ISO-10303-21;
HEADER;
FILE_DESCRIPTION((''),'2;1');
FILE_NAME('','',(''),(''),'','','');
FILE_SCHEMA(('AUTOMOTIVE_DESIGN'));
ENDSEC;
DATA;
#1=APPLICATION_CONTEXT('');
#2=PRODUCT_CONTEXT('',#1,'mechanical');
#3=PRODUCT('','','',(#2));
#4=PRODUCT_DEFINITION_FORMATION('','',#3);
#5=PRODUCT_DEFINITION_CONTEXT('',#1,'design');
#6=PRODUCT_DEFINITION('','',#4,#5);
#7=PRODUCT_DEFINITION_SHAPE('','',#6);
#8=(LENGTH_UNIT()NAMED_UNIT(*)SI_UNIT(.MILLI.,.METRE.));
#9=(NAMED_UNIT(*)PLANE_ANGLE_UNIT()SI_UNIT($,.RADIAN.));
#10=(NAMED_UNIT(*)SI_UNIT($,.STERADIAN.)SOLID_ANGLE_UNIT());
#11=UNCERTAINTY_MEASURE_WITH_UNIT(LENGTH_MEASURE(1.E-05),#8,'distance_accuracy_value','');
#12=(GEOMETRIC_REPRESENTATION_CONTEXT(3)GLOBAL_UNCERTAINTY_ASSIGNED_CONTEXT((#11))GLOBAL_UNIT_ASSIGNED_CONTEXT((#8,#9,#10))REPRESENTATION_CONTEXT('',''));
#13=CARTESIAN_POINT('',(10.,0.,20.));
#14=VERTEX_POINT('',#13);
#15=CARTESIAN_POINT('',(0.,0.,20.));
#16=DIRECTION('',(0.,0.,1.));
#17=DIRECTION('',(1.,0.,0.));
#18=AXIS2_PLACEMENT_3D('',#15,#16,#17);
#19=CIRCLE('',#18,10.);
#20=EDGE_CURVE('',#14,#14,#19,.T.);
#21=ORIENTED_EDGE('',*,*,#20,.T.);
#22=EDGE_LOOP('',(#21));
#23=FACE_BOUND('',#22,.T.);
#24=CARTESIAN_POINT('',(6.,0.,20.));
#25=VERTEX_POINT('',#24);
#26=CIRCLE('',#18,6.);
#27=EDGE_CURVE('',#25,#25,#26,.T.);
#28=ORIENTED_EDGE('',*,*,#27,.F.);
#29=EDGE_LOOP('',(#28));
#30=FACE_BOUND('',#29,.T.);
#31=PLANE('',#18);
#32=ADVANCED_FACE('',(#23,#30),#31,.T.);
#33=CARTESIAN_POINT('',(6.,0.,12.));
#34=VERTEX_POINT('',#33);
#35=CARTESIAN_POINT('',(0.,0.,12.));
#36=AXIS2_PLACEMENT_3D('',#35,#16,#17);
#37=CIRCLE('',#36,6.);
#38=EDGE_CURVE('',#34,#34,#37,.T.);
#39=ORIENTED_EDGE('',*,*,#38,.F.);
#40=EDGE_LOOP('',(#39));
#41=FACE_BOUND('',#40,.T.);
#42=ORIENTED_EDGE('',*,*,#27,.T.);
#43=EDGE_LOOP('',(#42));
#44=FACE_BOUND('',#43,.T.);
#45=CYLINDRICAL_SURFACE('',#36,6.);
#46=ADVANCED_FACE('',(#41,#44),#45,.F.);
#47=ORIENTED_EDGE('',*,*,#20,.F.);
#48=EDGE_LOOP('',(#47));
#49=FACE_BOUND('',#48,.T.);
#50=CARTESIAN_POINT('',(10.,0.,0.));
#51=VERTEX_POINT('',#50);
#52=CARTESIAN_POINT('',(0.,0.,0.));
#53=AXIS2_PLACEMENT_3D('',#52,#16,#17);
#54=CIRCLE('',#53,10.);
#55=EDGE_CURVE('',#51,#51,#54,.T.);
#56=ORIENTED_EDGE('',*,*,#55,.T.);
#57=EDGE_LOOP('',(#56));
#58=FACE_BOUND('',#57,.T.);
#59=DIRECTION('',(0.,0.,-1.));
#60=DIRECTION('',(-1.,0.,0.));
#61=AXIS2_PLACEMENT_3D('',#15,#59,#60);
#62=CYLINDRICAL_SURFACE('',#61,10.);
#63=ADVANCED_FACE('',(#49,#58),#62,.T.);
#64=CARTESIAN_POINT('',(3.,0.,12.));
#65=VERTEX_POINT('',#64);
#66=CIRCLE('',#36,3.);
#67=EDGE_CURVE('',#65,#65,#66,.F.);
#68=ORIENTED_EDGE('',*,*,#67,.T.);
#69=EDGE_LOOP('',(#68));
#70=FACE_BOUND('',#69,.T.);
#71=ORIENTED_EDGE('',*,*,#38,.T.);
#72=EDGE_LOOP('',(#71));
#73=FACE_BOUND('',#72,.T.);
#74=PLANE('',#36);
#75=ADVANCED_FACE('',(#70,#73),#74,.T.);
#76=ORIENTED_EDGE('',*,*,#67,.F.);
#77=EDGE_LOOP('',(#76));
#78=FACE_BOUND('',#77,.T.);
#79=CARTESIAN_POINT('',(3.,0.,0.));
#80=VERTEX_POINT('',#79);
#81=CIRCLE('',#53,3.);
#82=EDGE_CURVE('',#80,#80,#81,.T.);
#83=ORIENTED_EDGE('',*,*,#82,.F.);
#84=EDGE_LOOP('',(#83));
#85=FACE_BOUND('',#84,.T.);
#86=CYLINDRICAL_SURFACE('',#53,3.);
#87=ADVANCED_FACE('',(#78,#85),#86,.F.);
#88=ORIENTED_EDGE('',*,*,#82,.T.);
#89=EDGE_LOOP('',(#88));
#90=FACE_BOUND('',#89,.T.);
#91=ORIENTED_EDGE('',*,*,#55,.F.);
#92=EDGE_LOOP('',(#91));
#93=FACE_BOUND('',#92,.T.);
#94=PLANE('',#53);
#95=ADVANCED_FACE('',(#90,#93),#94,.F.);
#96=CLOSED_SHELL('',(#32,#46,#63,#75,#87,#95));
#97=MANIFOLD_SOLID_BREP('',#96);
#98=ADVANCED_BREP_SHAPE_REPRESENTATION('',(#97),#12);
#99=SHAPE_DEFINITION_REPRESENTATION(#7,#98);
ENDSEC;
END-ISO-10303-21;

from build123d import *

# Parameters (mm, degrees)
SKETCH_BASE_PROFILE_R        = 10
FEATURE_BASE_DEPTH           = 20
SKETCH_BORE_PROFILE_R        = 3
FEATURE_BORE_DEPTH           = 25.494897428
SKETCH_COUNTERBORE_PROFILE_R = 6
FEATURE_COUNTERBORE_DEPTH    = 8


with BuildPart() as part:
    # sketch:base-profile → feature:base (new body)
    with BuildSketch(Plane.XY):
        Circle(SKETCH_BASE_PROFILE_R)
    extrude(amount=FEATURE_BASE_DEPTH)

    # sketch:bore-profile → feature:bore (cut, through all)
    with BuildSketch(Plane.XY.offset(20)):
        Circle(SKETCH_BORE_PROFILE_R)
    extrude(amount=-FEATURE_BORE_DEPTH, mode=Mode.SUBTRACT)

    # sketch:counterbore-profile → feature:counterbore (cut)
    with BuildSketch(Plane.XY.offset(20)):
        Circle(SKETCH_COUNTERBORE_PROFILE_R)
    extrude(amount=-FEATURE_COUNTERBORE_DEPTH, mode=Mode.SUBTRACT)


solid = part.part
